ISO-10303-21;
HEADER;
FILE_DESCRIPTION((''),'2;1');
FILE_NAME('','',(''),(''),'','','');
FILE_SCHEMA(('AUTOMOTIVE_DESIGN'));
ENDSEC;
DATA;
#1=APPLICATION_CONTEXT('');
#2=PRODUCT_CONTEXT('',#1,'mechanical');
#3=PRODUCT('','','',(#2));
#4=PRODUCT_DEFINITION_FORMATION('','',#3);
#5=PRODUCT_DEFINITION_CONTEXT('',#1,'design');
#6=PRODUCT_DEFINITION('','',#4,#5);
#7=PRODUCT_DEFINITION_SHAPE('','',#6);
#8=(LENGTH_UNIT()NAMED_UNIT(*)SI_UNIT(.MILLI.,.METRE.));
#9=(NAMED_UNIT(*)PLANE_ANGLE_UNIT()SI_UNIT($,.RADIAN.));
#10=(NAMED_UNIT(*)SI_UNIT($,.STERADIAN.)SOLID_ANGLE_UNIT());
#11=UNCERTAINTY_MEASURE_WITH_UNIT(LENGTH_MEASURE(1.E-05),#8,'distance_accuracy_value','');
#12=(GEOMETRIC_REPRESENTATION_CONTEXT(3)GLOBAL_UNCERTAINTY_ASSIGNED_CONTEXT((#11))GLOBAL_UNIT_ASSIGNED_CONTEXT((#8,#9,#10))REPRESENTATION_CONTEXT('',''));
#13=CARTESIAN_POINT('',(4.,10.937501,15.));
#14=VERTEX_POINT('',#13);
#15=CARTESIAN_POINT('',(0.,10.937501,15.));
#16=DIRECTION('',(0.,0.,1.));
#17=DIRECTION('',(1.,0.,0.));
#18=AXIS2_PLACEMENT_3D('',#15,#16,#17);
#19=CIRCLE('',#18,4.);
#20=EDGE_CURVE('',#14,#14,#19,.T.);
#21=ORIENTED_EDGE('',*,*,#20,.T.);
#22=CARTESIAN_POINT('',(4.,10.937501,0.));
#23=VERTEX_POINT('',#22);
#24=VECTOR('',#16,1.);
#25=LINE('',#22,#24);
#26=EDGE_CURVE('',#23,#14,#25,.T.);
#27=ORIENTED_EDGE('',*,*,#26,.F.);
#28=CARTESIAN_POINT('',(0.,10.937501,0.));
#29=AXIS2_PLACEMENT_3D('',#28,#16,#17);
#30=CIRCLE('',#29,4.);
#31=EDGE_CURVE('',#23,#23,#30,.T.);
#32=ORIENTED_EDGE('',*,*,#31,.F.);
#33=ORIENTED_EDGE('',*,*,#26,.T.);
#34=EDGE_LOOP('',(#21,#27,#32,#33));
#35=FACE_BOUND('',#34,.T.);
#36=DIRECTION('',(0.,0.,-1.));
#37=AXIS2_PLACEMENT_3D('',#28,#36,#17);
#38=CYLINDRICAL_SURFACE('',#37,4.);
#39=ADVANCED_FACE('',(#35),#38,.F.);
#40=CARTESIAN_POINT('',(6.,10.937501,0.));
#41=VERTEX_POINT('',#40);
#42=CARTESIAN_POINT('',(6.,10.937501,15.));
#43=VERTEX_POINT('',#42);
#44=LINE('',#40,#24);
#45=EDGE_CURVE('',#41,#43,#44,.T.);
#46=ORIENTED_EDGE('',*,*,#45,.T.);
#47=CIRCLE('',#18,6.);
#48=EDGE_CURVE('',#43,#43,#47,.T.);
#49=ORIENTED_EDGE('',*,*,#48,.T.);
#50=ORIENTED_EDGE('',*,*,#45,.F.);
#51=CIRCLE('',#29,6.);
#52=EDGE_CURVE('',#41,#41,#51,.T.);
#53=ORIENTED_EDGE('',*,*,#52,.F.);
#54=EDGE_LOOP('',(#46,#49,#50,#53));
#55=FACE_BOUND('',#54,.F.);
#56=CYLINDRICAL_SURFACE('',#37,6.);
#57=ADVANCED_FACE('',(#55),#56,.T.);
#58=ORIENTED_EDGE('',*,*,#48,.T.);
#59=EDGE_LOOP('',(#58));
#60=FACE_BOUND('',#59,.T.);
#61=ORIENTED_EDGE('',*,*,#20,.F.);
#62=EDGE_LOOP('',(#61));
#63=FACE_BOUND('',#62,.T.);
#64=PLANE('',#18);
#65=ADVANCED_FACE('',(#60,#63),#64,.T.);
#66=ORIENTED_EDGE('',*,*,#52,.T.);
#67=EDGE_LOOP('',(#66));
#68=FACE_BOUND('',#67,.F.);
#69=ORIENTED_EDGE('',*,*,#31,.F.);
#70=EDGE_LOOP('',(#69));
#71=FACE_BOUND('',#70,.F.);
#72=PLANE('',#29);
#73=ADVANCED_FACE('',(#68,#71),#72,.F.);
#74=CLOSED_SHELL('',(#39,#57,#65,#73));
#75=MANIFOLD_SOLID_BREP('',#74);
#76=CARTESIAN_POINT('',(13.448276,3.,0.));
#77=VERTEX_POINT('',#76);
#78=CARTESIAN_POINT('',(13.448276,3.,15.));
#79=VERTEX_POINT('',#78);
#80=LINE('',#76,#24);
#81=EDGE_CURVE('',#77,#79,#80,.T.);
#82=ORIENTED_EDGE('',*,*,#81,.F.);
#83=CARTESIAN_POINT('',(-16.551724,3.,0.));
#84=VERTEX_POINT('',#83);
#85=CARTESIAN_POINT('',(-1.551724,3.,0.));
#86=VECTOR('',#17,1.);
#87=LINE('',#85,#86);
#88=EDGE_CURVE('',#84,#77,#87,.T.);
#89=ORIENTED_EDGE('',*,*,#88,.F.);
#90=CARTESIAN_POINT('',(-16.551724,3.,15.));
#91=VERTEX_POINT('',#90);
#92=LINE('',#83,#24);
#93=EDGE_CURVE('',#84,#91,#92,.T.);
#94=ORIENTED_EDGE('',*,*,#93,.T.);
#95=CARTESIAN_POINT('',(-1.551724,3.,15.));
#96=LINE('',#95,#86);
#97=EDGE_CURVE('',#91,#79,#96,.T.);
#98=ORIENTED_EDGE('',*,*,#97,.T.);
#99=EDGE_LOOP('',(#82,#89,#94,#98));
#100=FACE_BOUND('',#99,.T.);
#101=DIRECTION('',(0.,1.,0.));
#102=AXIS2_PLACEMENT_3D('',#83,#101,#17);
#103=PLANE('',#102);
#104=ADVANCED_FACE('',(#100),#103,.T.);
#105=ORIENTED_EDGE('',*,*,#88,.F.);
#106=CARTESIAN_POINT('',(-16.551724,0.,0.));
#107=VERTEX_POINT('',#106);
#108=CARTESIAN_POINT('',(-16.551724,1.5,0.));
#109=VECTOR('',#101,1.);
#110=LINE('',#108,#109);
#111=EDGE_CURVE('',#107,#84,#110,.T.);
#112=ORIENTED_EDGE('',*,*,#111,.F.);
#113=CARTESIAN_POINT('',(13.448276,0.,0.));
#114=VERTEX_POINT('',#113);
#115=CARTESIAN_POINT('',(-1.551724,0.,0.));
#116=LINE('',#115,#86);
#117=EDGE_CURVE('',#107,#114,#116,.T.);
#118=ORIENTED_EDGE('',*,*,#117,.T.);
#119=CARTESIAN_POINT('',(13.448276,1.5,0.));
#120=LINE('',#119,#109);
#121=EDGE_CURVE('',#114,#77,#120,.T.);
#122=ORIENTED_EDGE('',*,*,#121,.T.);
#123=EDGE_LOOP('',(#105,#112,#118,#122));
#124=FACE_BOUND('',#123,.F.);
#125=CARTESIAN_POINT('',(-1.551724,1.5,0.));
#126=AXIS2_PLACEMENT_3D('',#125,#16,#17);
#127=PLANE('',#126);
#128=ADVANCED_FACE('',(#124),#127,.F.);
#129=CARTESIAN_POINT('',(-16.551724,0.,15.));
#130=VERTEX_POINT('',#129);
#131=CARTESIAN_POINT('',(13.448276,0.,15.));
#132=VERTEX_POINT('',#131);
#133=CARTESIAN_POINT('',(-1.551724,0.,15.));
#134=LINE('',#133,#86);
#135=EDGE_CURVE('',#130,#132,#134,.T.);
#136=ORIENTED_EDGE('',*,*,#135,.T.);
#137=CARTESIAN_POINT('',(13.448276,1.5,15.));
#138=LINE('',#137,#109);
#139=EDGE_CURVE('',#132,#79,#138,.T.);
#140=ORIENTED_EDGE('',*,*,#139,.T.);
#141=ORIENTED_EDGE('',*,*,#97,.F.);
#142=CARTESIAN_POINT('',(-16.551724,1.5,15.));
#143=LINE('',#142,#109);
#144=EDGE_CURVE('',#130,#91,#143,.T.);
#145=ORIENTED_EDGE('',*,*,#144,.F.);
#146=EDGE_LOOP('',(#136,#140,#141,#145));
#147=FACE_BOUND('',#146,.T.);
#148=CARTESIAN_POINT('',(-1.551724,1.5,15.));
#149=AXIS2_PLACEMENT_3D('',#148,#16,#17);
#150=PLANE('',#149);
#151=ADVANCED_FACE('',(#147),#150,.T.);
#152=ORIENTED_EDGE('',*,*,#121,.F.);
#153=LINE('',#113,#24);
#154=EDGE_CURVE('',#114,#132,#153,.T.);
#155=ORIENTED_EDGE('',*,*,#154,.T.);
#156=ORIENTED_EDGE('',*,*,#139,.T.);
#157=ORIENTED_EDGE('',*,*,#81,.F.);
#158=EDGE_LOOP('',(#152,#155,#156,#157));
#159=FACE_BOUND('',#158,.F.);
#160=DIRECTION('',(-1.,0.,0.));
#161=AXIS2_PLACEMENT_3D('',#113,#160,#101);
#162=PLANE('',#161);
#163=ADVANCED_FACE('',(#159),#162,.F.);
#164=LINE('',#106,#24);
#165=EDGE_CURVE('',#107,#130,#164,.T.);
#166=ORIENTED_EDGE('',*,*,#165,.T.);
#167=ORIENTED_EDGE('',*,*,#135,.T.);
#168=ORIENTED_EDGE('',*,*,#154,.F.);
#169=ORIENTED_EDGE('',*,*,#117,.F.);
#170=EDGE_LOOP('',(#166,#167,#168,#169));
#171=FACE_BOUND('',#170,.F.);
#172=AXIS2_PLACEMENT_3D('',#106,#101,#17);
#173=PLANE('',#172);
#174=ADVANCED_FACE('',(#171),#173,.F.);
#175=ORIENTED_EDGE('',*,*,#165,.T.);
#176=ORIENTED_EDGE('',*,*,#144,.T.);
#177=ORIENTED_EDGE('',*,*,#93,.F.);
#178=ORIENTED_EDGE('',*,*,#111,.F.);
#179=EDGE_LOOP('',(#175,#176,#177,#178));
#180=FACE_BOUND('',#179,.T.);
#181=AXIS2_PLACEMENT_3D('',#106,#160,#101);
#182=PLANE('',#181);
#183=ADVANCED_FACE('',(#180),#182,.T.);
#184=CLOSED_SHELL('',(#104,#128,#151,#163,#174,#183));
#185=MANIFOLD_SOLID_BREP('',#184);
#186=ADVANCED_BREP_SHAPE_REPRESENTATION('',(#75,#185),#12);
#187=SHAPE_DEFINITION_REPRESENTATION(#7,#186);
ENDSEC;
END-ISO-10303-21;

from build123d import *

# Parameters (mm, degrees)
F0_W     = 30
F0_H     = 3
F0_R     = 6
F0_R_2   = 4
F1_DEPTH = 15


with BuildPart() as f1:
    # F0 (on Top) → F1 (new body)
    with BuildSketch(Plane.XY):
        with Locations((-1.551724, 1.5)):
            Rectangle(F0_W, F0_H)
        with Locations((0, 10.937501)):
            Circle(F0_R)
        with Locations((0, 10.937501)):
            Circle(F0_R_2, mode=Mode.SUBTRACT)
    extrude(amount=F1_DEPTH)


solid = f1.part
